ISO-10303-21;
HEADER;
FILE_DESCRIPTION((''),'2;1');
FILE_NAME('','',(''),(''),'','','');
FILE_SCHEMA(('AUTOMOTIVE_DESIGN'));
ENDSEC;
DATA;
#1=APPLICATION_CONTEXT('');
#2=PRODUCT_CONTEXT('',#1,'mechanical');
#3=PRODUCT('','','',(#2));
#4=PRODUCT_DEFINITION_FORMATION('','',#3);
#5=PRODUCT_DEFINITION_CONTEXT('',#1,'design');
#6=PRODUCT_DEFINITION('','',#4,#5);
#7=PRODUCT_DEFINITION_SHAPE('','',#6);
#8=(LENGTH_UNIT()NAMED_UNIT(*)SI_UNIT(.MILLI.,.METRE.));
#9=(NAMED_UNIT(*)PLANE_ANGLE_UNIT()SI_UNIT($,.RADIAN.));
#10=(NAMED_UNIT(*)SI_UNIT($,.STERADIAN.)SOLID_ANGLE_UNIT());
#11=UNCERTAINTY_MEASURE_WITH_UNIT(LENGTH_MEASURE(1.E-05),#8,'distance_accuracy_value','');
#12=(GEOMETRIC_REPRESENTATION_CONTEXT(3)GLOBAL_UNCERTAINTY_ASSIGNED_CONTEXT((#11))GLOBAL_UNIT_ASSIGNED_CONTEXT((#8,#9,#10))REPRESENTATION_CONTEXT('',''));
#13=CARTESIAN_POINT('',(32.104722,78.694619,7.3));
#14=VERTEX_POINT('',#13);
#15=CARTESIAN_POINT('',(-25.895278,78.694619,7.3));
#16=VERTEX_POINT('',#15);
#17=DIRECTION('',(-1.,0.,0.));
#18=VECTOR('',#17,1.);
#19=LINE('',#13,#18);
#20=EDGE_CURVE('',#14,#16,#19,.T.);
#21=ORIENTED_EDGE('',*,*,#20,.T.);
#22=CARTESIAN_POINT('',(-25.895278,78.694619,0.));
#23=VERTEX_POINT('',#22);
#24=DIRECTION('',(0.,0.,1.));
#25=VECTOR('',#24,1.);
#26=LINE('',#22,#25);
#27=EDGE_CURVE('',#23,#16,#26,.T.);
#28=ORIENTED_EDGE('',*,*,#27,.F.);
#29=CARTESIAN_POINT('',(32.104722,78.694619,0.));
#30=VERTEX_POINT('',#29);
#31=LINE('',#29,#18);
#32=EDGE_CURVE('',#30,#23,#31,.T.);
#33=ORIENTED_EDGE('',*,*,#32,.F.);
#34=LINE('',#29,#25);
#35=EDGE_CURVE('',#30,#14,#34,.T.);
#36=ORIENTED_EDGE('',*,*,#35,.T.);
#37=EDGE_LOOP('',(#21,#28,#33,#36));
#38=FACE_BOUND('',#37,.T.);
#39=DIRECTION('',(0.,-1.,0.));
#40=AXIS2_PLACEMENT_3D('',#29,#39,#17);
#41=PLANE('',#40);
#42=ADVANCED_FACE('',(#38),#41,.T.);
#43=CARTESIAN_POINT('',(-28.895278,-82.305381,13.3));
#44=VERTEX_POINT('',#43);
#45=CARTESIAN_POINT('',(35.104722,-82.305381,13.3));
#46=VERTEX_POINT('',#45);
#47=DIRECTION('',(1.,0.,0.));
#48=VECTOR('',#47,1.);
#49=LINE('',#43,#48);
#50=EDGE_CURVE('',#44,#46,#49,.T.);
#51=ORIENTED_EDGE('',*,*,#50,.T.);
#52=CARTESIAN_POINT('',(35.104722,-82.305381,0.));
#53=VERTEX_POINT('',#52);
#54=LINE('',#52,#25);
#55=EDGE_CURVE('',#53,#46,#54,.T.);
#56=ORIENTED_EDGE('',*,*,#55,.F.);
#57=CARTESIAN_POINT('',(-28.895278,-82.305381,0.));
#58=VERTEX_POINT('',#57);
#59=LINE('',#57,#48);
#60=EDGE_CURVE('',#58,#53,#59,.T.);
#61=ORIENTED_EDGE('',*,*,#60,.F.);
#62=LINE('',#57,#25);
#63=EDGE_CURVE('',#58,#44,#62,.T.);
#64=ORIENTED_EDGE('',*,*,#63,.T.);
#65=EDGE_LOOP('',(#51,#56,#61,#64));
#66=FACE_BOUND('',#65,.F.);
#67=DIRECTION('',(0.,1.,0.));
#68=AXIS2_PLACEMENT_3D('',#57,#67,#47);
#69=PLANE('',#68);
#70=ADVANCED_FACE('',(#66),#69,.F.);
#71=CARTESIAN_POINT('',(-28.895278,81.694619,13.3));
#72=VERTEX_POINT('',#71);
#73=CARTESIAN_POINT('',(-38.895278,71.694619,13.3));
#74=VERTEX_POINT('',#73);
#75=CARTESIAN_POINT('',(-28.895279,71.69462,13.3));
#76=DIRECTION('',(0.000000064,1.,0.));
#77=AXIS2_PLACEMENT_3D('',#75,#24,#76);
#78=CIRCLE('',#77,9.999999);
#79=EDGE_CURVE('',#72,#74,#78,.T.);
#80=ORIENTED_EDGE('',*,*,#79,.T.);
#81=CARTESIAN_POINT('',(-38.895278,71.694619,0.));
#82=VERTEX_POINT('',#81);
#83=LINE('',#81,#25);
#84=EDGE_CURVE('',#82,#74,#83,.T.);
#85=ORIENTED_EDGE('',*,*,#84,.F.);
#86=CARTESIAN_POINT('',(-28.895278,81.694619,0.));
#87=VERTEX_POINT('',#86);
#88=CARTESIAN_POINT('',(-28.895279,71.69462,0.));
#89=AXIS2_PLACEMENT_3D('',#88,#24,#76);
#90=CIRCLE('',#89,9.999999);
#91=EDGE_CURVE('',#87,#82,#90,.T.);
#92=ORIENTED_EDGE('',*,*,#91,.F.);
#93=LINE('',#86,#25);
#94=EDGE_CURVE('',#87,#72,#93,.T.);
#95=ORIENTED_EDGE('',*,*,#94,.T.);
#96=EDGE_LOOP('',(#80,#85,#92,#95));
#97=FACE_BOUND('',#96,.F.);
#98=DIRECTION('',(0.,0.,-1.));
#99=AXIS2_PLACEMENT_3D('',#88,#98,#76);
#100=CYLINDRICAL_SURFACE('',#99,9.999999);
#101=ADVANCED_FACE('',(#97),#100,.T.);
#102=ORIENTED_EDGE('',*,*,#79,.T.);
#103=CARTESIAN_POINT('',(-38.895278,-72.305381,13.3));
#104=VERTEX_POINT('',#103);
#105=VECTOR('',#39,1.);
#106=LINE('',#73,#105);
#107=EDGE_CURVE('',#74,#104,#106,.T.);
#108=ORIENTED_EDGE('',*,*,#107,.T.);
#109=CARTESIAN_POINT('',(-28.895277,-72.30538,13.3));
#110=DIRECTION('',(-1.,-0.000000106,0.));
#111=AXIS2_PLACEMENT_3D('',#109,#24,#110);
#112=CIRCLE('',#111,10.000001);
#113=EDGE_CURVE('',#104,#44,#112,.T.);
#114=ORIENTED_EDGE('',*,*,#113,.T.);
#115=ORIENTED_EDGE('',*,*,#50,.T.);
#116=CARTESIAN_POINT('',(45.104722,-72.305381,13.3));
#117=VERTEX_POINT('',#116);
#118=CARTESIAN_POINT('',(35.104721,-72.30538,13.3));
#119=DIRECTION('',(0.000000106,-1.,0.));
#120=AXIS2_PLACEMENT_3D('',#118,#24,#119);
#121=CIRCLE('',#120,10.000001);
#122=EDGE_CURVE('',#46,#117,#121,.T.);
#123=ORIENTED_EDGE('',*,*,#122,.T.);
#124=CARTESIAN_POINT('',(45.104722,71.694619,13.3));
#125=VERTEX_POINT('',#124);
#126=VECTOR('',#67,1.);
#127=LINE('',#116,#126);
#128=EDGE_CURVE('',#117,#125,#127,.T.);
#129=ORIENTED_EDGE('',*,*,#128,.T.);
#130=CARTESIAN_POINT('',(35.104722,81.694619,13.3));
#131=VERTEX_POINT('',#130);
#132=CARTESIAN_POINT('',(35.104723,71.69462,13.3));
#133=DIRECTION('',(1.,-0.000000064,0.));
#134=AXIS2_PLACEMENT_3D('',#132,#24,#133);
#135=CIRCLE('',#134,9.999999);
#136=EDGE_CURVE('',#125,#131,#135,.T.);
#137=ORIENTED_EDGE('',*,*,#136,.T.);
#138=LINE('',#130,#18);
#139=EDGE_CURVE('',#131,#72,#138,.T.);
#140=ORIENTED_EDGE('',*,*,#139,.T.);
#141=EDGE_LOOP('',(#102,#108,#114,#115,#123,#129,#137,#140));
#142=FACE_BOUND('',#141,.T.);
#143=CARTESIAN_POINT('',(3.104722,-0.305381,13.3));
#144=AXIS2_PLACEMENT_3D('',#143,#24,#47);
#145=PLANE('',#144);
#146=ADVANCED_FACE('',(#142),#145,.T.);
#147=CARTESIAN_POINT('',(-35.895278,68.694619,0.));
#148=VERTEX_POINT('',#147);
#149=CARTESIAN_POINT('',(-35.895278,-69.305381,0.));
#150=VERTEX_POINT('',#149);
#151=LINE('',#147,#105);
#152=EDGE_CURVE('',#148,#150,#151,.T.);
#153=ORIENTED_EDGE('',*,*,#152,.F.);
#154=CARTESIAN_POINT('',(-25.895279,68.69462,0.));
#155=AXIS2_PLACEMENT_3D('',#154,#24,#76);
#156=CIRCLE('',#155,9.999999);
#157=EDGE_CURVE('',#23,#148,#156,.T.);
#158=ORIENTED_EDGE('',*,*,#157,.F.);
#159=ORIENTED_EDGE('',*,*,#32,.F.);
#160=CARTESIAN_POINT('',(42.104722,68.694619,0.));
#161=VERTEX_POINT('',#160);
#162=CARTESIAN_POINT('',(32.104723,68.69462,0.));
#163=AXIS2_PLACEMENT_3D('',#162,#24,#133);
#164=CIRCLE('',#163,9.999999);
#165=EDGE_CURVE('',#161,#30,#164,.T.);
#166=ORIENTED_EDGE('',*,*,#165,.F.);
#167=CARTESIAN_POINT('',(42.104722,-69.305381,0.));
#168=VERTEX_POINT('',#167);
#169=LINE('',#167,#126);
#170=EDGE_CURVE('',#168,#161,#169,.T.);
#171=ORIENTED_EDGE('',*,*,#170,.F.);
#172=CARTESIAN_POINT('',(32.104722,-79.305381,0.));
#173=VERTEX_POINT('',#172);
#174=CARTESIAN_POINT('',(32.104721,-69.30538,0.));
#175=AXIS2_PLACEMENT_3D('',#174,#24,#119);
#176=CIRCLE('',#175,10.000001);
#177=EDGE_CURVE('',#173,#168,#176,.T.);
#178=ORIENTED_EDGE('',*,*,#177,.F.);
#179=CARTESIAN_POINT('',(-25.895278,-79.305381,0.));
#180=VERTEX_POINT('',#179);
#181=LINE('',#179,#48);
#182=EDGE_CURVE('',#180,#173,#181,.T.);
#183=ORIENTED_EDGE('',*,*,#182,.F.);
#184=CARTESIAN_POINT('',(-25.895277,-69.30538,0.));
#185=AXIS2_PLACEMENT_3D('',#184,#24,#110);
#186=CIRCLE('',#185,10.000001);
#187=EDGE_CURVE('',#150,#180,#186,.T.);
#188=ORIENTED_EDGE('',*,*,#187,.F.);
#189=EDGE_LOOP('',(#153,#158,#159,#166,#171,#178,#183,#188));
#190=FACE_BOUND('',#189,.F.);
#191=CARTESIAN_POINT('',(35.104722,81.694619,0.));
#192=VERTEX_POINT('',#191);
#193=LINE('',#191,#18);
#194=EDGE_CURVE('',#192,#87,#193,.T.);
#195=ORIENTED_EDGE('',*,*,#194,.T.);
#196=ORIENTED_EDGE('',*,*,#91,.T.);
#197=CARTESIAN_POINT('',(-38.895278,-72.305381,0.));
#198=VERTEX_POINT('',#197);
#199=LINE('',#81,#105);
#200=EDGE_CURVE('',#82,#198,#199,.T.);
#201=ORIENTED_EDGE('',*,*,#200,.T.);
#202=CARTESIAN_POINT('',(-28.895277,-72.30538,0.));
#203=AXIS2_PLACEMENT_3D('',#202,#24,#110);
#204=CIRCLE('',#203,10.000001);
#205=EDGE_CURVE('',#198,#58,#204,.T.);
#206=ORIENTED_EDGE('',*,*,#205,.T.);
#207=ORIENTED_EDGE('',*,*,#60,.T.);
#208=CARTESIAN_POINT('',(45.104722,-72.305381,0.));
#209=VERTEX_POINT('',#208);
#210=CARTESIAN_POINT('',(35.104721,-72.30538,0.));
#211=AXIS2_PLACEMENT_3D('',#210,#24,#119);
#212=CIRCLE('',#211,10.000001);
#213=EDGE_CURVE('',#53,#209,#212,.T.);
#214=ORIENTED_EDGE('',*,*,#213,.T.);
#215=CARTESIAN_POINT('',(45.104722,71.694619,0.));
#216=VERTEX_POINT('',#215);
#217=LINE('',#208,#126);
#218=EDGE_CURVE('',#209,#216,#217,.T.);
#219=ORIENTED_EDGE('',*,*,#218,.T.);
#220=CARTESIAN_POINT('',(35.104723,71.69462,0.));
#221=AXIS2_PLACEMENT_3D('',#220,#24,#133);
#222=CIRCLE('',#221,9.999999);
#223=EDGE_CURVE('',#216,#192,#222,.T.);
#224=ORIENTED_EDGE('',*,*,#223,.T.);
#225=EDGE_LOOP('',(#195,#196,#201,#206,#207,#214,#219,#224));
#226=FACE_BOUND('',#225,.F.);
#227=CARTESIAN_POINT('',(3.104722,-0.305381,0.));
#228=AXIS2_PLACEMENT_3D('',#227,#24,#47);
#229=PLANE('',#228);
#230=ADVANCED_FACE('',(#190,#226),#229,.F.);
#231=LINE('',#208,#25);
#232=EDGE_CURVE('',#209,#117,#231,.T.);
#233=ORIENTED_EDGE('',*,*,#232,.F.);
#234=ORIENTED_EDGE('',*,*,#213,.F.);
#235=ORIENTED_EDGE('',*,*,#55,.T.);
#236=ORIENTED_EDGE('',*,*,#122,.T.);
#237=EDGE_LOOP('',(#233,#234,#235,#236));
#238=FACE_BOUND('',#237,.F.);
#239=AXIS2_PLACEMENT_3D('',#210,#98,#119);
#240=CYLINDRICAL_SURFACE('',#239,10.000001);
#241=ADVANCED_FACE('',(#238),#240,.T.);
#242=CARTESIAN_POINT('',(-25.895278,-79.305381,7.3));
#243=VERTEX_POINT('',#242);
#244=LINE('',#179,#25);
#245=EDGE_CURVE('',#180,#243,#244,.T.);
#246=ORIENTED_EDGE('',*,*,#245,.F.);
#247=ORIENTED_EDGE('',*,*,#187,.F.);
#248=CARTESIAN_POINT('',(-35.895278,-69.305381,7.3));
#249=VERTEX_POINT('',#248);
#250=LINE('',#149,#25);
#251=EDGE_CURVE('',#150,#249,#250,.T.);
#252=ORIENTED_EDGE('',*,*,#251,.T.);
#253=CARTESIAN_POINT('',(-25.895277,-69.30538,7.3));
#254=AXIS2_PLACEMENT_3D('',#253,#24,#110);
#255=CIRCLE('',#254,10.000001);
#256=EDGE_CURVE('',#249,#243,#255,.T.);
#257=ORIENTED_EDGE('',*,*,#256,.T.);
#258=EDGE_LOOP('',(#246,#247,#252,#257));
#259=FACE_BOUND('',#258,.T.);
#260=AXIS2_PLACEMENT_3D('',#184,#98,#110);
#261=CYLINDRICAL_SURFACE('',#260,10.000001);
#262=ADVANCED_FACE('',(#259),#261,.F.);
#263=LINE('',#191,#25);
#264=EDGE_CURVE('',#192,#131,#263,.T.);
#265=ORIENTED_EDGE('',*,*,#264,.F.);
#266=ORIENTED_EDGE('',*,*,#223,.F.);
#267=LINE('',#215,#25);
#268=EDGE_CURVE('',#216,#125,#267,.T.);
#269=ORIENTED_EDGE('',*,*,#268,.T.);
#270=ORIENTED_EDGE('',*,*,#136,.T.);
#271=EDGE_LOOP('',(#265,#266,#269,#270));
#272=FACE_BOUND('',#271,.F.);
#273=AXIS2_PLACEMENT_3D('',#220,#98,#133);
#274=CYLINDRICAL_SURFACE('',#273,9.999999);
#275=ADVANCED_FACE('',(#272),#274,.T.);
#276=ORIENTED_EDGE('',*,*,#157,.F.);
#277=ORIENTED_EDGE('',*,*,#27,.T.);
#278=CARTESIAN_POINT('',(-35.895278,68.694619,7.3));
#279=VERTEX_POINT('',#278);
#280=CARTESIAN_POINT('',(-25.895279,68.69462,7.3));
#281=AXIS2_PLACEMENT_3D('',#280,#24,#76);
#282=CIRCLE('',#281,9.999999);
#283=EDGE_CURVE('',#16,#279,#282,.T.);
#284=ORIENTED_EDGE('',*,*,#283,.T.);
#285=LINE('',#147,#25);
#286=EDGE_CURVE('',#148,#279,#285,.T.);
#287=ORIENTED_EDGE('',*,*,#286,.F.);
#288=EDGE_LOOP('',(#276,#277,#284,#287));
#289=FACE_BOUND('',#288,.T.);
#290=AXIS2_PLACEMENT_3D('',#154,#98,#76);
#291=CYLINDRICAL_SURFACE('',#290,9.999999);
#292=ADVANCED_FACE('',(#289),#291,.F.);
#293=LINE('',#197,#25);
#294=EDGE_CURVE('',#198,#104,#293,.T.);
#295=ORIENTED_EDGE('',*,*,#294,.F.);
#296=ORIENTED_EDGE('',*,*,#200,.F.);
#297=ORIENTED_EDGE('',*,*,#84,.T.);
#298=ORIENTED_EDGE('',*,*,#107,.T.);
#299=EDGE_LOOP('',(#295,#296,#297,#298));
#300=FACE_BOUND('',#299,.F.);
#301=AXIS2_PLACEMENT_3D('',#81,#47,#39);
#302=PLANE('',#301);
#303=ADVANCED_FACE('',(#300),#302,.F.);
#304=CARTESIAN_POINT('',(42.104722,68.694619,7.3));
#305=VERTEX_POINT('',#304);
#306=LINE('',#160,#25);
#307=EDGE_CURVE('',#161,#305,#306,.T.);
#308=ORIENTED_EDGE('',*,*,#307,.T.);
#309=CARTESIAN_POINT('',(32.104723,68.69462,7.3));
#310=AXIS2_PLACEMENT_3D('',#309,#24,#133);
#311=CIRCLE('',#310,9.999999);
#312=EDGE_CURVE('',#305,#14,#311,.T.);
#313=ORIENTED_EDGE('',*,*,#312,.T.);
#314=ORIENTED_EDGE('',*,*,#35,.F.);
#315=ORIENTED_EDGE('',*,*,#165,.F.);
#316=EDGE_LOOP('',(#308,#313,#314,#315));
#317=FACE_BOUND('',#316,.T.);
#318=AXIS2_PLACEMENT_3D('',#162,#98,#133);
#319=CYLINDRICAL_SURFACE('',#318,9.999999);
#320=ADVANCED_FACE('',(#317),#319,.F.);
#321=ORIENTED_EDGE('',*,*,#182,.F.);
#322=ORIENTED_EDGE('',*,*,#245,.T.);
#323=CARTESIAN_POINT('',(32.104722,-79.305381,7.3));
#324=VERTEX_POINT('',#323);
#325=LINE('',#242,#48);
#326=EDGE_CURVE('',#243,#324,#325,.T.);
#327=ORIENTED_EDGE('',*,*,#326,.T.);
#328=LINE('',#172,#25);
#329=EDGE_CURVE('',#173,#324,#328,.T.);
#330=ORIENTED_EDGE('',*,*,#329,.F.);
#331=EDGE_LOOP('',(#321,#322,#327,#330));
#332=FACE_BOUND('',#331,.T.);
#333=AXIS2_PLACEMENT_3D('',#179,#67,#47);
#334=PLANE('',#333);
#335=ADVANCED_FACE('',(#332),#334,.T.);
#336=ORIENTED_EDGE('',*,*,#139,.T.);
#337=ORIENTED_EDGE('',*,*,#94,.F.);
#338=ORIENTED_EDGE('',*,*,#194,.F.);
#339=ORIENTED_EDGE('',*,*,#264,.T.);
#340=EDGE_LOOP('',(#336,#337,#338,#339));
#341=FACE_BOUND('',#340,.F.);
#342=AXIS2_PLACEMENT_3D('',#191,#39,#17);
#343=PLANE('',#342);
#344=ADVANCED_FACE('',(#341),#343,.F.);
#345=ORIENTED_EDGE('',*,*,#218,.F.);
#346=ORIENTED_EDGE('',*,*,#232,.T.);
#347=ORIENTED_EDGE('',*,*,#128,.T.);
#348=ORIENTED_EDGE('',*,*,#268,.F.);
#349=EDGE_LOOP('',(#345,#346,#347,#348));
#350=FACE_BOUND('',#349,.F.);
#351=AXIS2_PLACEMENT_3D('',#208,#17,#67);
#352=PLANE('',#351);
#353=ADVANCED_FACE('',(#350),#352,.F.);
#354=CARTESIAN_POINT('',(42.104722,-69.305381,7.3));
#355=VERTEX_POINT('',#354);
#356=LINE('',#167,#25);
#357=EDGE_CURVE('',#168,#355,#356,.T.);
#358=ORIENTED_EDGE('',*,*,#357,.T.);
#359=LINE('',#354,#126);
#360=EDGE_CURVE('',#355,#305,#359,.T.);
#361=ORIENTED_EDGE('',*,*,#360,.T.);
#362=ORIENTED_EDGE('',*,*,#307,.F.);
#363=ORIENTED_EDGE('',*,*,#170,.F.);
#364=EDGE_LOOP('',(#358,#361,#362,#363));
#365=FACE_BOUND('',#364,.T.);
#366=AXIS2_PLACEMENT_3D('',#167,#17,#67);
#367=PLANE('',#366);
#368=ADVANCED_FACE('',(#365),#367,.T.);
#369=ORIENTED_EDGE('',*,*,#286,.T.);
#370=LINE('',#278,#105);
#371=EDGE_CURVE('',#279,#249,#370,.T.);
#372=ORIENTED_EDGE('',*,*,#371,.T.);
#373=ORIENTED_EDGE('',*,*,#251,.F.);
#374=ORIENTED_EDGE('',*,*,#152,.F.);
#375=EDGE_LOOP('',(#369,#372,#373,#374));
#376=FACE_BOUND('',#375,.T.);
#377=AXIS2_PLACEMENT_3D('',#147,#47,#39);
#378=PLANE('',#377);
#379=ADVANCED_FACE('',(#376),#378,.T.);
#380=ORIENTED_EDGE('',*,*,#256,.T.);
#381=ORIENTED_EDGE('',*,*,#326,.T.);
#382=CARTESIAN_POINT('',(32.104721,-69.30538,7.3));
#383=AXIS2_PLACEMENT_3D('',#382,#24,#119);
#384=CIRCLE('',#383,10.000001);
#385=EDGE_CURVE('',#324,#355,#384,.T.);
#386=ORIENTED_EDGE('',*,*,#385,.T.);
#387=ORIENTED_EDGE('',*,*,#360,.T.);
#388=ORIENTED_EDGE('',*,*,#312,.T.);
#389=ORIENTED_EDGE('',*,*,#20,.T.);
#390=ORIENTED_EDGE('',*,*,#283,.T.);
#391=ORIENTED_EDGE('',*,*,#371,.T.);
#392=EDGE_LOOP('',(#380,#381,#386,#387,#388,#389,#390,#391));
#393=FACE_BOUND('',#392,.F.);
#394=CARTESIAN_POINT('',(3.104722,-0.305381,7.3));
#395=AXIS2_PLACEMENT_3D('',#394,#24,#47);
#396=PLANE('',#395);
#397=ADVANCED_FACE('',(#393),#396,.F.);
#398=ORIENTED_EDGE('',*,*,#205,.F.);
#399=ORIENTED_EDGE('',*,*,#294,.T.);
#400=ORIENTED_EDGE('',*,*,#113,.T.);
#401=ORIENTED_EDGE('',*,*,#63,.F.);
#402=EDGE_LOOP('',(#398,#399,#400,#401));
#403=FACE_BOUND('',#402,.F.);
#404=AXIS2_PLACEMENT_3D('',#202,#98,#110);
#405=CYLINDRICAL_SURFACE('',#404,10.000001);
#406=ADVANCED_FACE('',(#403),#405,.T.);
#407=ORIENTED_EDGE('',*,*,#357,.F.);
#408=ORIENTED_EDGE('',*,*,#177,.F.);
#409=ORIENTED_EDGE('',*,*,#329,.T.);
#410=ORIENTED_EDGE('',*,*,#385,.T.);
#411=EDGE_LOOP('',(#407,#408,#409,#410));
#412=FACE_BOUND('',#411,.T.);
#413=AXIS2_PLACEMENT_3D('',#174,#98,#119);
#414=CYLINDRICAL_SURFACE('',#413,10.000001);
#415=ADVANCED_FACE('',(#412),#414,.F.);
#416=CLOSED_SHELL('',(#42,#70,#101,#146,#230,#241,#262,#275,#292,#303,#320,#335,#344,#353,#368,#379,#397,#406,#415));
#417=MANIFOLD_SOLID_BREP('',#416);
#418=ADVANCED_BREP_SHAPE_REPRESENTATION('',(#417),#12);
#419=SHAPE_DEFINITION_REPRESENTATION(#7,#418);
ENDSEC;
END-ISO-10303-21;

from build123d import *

# Parameters (mm, degrees)
F1_DEPTH = 13.3
F3_DEPTH = 7.3


with BuildPart() as f1:
    # F0 (on Top) → F1 (new body)
    with BuildSketch(Plane.XY):
        with BuildLine():
            Line((35.104722, 81.694619), (-28.895278, 81.694619))
            ThreePointArc((-28.895278, 81.694619), (-35.966346, 78.765687), (-38.895278, 71.694619))
            Line((-38.895278, 71.694619), (-38.895278, -72.305381))
            ThreePointArc((-38.895278, -72.305381), (-35.966346, -79.376448), (-28.895278, -82.305381))
            Line((-28.895278, -82.305381), (35.104722, -82.305381))
            ThreePointArc((35.104722, -82.305381), (42.17579, -79.376448), (45.104722, -72.305381))
            Line((45.104722, -72.305381), (45.104722, 71.694619))
            ThreePointArc((45.104722, 71.694619), (42.17579, 78.765687), (35.104722, 81.694619))
        make_face()
    extrude(amount=F1_DEPTH)

    # F2 (on Top) → F3 (cut)
    with BuildSketch(Plane.XY):
        with BuildLine():
            Line((32.104722, 78.694619), (-25.895278, 78.694619))
            ThreePointArc((-25.895278, 78.694619), (-32.966346, 75.765687), (-35.895278, 68.694619))
            Line((-35.895278, 68.694619), (-35.895278, -69.305381))
            ThreePointArc((-35.895278, -69.305381), (-32.966346, -76.376448), (-25.895278, -79.305381))
            Line((-25.895278, -79.305381), (32.104722, -79.305381))
            ThreePointArc((32.104722, -79.305381), (39.17579, -76.376448), (42.104722, -69.305381))
            Line((42.104722, -69.305381), (42.104722, 68.694619))
            ThreePointArc((42.104722, 68.694619), (39.17579, 75.765687), (32.104722, 78.694619))
        make_face()
    extrude(amount=F3_DEPTH, mode=Mode.SUBTRACT)


solid = f1.part
